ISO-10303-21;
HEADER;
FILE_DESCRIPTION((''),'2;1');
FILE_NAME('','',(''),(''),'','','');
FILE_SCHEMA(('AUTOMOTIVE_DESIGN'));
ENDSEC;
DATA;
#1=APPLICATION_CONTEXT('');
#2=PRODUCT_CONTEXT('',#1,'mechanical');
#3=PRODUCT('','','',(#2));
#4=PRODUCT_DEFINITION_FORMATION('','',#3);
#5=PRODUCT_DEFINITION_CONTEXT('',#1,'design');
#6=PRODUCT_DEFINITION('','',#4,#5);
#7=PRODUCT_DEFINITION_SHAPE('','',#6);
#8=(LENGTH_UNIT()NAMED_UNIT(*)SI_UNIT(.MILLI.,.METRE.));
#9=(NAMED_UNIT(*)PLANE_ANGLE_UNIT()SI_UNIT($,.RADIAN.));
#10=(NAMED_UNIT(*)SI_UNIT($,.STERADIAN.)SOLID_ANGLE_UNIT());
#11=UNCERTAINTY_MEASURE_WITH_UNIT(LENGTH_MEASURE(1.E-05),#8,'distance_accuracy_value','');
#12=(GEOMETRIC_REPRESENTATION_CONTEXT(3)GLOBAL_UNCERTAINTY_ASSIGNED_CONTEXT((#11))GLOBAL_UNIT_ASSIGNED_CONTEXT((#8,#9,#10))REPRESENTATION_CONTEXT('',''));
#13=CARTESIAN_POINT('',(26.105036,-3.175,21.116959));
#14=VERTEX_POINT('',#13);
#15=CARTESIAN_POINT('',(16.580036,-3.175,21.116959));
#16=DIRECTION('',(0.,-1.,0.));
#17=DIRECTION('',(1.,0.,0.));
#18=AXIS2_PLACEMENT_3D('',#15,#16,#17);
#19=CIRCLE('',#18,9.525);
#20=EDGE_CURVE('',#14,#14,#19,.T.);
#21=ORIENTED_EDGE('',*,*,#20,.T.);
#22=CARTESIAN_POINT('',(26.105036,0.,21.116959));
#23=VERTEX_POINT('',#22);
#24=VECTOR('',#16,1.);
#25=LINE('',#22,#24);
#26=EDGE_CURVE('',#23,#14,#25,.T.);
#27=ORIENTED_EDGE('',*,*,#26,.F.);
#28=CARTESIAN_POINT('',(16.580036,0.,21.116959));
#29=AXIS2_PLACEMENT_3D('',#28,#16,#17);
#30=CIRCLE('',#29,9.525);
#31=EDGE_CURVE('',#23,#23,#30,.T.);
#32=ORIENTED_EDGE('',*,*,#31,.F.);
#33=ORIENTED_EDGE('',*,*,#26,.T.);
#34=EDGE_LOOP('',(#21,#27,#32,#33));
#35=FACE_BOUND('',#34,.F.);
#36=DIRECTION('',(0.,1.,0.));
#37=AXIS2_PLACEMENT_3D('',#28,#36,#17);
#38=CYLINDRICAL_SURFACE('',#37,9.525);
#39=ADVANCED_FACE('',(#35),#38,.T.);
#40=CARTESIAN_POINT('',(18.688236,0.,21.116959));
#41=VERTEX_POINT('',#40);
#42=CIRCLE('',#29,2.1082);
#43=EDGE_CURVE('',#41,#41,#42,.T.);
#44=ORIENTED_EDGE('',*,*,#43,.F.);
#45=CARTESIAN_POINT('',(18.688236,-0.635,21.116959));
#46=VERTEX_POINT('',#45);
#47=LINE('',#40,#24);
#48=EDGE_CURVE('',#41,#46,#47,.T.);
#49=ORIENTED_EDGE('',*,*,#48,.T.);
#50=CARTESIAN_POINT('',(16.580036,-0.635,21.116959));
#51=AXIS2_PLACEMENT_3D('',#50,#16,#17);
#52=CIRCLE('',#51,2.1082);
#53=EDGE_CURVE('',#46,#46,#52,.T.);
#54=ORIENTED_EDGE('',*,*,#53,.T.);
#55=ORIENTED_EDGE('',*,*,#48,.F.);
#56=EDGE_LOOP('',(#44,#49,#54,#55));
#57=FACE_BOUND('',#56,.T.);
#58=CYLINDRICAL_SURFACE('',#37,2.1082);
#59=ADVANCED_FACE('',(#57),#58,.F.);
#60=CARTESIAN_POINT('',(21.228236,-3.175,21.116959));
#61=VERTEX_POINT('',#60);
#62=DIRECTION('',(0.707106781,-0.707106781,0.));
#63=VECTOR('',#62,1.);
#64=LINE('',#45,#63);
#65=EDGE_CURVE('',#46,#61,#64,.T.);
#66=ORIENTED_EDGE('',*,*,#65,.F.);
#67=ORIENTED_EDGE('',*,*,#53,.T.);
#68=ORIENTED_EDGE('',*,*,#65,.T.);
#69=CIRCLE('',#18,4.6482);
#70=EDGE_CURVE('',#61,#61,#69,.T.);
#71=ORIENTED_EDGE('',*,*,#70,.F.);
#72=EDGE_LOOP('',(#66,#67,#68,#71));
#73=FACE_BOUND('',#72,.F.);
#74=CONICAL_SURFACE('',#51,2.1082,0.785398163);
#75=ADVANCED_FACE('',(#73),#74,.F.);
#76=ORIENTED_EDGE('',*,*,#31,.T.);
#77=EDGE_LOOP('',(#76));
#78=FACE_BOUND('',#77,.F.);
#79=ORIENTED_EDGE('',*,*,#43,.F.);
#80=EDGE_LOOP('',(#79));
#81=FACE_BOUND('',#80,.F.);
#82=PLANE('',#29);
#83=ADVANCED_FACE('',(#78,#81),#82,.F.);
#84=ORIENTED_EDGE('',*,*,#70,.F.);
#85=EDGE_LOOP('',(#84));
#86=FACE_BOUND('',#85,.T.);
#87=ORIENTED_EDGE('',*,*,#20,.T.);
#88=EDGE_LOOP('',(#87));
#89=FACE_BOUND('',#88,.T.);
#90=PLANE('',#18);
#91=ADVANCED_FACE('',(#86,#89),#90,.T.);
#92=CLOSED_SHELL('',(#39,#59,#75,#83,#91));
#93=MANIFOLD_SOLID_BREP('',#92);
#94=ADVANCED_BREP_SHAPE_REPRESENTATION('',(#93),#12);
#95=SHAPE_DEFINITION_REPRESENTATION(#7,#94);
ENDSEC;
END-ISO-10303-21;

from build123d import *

# Parameters (mm, degrees)
F0_R     = 9.525
F0_R_2   = 2.1082
F1_DEPTH = 3.175
F2_SIZE  = 2.54


with BuildPart() as f1:
    # F0 (on Front) → F1 (new body)
    with BuildSketch(Plane.XZ):
        with Locations((16.580036, 21.116959)):
            Circle(F0_R)
        with Locations((16.580036, 21.116959)):
            Circle(F0_R_2, mode=Mode.SUBTRACT)
    extrude(amount=F1_DEPTH)

    # F2
    f2_edges = [f1.edges().sort_by_distance(p)[0] for p in [
        (14.471836, -3.175, 21.116959),
    ]]
    chamfer(f2_edges, length=F2_SIZE)


solid = f1.part
